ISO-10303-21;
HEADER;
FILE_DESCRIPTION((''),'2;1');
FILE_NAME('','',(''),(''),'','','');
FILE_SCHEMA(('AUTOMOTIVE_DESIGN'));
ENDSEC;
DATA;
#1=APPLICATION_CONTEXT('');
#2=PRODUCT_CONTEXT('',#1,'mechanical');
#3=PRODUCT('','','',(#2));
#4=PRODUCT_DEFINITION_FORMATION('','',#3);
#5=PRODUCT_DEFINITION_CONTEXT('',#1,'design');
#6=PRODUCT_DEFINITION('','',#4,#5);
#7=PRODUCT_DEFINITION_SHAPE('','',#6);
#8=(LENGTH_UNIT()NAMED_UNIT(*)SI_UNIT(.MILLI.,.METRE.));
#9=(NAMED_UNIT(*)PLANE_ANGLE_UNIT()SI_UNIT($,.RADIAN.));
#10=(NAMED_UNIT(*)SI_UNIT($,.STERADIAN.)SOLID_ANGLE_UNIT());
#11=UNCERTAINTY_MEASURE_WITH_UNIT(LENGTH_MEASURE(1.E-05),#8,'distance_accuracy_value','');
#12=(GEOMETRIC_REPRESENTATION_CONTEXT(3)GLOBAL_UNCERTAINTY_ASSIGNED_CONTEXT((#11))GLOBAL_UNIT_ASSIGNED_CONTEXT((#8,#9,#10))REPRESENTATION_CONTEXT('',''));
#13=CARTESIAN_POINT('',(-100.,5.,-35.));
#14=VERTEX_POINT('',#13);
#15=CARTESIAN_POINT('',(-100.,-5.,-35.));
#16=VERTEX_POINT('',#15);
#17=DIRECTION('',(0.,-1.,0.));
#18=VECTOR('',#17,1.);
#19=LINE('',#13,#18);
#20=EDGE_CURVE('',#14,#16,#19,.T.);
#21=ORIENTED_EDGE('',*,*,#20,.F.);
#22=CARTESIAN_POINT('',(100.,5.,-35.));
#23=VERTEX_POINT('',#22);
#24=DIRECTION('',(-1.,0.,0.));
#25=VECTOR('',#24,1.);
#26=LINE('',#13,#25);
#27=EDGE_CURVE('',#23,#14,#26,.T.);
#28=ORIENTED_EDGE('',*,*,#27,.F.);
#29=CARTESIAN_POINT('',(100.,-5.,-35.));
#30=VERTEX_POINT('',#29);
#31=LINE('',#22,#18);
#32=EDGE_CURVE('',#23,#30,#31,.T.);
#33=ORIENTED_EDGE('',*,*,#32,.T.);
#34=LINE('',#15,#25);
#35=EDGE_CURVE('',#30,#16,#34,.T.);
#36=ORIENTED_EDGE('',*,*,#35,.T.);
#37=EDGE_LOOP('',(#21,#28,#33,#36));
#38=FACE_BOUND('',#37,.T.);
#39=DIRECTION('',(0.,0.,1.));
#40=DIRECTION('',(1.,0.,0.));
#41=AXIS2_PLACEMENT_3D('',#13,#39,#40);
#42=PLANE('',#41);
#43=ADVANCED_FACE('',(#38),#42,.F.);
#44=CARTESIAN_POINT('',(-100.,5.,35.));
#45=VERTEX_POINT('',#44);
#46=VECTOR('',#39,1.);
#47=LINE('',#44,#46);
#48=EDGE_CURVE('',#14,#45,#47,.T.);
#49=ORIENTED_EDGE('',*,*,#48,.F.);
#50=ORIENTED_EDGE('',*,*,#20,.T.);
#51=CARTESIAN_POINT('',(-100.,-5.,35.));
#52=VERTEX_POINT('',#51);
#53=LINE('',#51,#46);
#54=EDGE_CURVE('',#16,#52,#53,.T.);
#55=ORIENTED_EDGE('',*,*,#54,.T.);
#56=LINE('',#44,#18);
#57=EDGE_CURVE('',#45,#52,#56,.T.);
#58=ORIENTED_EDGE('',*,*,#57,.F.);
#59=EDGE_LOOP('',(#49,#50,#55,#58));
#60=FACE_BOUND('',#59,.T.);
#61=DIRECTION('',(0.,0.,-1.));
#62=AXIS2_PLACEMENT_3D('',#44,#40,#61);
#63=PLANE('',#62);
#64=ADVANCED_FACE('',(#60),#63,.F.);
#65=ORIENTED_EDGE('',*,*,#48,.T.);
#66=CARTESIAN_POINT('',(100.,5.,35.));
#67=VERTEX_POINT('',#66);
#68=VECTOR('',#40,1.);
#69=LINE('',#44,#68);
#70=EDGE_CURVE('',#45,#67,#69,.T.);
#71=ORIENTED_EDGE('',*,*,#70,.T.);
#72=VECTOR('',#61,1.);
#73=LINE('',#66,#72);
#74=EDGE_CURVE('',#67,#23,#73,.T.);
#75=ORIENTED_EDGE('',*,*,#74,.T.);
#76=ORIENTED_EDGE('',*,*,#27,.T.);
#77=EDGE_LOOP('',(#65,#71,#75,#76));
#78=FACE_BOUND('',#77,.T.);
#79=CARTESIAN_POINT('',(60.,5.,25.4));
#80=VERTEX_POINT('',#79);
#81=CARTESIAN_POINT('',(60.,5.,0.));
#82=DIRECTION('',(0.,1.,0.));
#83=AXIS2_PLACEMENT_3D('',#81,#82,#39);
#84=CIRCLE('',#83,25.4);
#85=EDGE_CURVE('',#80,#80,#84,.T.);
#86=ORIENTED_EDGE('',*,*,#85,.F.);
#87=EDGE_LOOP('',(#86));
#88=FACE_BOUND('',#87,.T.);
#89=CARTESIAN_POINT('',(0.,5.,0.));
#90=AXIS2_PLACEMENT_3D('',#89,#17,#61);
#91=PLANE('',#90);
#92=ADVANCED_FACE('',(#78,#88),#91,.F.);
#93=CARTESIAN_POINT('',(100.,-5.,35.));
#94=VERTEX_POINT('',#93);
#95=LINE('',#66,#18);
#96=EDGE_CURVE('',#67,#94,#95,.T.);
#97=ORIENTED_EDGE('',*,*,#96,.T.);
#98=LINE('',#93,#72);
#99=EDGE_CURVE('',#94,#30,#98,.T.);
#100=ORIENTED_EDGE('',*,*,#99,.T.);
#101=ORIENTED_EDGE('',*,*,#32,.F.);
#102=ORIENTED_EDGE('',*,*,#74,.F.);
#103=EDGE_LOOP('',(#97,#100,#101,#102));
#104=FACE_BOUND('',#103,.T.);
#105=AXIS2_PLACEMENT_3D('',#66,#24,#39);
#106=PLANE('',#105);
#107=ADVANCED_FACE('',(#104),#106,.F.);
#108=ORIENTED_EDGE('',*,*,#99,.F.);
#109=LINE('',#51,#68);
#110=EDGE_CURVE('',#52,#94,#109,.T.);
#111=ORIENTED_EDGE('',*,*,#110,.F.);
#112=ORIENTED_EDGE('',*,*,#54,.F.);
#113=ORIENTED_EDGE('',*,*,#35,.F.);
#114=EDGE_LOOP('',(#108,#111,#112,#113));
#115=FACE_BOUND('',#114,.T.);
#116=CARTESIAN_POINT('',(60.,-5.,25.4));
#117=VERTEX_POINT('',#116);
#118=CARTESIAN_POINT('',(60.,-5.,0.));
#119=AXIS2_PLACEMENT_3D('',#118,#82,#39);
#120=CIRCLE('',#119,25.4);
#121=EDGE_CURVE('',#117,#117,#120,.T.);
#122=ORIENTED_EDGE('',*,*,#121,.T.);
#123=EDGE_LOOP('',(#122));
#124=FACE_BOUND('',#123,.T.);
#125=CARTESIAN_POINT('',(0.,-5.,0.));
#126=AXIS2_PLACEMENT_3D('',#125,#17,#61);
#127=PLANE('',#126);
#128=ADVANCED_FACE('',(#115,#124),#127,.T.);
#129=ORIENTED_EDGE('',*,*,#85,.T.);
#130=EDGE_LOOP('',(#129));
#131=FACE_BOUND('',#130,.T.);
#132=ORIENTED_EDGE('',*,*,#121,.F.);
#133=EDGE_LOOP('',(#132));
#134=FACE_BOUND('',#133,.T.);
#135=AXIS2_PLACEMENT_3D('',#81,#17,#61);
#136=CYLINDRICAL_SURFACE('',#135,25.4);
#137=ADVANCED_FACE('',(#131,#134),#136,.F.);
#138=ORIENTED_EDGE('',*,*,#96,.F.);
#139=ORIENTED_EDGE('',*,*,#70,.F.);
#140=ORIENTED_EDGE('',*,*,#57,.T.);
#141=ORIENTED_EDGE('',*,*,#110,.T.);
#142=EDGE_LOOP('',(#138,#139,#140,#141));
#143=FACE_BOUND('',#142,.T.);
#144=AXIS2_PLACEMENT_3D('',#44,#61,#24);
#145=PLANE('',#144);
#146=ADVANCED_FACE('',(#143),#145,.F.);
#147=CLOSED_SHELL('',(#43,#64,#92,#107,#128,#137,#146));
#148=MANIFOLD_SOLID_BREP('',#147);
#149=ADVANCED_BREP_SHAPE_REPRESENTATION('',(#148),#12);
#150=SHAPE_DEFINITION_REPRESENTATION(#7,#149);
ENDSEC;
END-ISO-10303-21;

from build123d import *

# Parameters (mm, degrees)
SKETCH2_W           = 200
SKETCH2_H           = 70
SKETCH2_R           = 25.4
BOSS_EXTRUDE1_DEPTH = 5


with BuildPart() as part:
    # Sketch2 → Boss-Extrude1 (new, symmetric)
    with BuildSketch(Plane(origin=(0, 0, 0), x_dir=(1, 0, 0), z_dir=(0, 1, 0))):
        Rectangle(SKETCH2_W, SKETCH2_H)
        with Locations(Location((60, 0, 0), (0, 0, 270))):
            Circle(SKETCH2_R, mode=Mode.SUBTRACT)
    extrude(amount=BOSS_EXTRUDE1_DEPTH, both=True)


solid = part.part
